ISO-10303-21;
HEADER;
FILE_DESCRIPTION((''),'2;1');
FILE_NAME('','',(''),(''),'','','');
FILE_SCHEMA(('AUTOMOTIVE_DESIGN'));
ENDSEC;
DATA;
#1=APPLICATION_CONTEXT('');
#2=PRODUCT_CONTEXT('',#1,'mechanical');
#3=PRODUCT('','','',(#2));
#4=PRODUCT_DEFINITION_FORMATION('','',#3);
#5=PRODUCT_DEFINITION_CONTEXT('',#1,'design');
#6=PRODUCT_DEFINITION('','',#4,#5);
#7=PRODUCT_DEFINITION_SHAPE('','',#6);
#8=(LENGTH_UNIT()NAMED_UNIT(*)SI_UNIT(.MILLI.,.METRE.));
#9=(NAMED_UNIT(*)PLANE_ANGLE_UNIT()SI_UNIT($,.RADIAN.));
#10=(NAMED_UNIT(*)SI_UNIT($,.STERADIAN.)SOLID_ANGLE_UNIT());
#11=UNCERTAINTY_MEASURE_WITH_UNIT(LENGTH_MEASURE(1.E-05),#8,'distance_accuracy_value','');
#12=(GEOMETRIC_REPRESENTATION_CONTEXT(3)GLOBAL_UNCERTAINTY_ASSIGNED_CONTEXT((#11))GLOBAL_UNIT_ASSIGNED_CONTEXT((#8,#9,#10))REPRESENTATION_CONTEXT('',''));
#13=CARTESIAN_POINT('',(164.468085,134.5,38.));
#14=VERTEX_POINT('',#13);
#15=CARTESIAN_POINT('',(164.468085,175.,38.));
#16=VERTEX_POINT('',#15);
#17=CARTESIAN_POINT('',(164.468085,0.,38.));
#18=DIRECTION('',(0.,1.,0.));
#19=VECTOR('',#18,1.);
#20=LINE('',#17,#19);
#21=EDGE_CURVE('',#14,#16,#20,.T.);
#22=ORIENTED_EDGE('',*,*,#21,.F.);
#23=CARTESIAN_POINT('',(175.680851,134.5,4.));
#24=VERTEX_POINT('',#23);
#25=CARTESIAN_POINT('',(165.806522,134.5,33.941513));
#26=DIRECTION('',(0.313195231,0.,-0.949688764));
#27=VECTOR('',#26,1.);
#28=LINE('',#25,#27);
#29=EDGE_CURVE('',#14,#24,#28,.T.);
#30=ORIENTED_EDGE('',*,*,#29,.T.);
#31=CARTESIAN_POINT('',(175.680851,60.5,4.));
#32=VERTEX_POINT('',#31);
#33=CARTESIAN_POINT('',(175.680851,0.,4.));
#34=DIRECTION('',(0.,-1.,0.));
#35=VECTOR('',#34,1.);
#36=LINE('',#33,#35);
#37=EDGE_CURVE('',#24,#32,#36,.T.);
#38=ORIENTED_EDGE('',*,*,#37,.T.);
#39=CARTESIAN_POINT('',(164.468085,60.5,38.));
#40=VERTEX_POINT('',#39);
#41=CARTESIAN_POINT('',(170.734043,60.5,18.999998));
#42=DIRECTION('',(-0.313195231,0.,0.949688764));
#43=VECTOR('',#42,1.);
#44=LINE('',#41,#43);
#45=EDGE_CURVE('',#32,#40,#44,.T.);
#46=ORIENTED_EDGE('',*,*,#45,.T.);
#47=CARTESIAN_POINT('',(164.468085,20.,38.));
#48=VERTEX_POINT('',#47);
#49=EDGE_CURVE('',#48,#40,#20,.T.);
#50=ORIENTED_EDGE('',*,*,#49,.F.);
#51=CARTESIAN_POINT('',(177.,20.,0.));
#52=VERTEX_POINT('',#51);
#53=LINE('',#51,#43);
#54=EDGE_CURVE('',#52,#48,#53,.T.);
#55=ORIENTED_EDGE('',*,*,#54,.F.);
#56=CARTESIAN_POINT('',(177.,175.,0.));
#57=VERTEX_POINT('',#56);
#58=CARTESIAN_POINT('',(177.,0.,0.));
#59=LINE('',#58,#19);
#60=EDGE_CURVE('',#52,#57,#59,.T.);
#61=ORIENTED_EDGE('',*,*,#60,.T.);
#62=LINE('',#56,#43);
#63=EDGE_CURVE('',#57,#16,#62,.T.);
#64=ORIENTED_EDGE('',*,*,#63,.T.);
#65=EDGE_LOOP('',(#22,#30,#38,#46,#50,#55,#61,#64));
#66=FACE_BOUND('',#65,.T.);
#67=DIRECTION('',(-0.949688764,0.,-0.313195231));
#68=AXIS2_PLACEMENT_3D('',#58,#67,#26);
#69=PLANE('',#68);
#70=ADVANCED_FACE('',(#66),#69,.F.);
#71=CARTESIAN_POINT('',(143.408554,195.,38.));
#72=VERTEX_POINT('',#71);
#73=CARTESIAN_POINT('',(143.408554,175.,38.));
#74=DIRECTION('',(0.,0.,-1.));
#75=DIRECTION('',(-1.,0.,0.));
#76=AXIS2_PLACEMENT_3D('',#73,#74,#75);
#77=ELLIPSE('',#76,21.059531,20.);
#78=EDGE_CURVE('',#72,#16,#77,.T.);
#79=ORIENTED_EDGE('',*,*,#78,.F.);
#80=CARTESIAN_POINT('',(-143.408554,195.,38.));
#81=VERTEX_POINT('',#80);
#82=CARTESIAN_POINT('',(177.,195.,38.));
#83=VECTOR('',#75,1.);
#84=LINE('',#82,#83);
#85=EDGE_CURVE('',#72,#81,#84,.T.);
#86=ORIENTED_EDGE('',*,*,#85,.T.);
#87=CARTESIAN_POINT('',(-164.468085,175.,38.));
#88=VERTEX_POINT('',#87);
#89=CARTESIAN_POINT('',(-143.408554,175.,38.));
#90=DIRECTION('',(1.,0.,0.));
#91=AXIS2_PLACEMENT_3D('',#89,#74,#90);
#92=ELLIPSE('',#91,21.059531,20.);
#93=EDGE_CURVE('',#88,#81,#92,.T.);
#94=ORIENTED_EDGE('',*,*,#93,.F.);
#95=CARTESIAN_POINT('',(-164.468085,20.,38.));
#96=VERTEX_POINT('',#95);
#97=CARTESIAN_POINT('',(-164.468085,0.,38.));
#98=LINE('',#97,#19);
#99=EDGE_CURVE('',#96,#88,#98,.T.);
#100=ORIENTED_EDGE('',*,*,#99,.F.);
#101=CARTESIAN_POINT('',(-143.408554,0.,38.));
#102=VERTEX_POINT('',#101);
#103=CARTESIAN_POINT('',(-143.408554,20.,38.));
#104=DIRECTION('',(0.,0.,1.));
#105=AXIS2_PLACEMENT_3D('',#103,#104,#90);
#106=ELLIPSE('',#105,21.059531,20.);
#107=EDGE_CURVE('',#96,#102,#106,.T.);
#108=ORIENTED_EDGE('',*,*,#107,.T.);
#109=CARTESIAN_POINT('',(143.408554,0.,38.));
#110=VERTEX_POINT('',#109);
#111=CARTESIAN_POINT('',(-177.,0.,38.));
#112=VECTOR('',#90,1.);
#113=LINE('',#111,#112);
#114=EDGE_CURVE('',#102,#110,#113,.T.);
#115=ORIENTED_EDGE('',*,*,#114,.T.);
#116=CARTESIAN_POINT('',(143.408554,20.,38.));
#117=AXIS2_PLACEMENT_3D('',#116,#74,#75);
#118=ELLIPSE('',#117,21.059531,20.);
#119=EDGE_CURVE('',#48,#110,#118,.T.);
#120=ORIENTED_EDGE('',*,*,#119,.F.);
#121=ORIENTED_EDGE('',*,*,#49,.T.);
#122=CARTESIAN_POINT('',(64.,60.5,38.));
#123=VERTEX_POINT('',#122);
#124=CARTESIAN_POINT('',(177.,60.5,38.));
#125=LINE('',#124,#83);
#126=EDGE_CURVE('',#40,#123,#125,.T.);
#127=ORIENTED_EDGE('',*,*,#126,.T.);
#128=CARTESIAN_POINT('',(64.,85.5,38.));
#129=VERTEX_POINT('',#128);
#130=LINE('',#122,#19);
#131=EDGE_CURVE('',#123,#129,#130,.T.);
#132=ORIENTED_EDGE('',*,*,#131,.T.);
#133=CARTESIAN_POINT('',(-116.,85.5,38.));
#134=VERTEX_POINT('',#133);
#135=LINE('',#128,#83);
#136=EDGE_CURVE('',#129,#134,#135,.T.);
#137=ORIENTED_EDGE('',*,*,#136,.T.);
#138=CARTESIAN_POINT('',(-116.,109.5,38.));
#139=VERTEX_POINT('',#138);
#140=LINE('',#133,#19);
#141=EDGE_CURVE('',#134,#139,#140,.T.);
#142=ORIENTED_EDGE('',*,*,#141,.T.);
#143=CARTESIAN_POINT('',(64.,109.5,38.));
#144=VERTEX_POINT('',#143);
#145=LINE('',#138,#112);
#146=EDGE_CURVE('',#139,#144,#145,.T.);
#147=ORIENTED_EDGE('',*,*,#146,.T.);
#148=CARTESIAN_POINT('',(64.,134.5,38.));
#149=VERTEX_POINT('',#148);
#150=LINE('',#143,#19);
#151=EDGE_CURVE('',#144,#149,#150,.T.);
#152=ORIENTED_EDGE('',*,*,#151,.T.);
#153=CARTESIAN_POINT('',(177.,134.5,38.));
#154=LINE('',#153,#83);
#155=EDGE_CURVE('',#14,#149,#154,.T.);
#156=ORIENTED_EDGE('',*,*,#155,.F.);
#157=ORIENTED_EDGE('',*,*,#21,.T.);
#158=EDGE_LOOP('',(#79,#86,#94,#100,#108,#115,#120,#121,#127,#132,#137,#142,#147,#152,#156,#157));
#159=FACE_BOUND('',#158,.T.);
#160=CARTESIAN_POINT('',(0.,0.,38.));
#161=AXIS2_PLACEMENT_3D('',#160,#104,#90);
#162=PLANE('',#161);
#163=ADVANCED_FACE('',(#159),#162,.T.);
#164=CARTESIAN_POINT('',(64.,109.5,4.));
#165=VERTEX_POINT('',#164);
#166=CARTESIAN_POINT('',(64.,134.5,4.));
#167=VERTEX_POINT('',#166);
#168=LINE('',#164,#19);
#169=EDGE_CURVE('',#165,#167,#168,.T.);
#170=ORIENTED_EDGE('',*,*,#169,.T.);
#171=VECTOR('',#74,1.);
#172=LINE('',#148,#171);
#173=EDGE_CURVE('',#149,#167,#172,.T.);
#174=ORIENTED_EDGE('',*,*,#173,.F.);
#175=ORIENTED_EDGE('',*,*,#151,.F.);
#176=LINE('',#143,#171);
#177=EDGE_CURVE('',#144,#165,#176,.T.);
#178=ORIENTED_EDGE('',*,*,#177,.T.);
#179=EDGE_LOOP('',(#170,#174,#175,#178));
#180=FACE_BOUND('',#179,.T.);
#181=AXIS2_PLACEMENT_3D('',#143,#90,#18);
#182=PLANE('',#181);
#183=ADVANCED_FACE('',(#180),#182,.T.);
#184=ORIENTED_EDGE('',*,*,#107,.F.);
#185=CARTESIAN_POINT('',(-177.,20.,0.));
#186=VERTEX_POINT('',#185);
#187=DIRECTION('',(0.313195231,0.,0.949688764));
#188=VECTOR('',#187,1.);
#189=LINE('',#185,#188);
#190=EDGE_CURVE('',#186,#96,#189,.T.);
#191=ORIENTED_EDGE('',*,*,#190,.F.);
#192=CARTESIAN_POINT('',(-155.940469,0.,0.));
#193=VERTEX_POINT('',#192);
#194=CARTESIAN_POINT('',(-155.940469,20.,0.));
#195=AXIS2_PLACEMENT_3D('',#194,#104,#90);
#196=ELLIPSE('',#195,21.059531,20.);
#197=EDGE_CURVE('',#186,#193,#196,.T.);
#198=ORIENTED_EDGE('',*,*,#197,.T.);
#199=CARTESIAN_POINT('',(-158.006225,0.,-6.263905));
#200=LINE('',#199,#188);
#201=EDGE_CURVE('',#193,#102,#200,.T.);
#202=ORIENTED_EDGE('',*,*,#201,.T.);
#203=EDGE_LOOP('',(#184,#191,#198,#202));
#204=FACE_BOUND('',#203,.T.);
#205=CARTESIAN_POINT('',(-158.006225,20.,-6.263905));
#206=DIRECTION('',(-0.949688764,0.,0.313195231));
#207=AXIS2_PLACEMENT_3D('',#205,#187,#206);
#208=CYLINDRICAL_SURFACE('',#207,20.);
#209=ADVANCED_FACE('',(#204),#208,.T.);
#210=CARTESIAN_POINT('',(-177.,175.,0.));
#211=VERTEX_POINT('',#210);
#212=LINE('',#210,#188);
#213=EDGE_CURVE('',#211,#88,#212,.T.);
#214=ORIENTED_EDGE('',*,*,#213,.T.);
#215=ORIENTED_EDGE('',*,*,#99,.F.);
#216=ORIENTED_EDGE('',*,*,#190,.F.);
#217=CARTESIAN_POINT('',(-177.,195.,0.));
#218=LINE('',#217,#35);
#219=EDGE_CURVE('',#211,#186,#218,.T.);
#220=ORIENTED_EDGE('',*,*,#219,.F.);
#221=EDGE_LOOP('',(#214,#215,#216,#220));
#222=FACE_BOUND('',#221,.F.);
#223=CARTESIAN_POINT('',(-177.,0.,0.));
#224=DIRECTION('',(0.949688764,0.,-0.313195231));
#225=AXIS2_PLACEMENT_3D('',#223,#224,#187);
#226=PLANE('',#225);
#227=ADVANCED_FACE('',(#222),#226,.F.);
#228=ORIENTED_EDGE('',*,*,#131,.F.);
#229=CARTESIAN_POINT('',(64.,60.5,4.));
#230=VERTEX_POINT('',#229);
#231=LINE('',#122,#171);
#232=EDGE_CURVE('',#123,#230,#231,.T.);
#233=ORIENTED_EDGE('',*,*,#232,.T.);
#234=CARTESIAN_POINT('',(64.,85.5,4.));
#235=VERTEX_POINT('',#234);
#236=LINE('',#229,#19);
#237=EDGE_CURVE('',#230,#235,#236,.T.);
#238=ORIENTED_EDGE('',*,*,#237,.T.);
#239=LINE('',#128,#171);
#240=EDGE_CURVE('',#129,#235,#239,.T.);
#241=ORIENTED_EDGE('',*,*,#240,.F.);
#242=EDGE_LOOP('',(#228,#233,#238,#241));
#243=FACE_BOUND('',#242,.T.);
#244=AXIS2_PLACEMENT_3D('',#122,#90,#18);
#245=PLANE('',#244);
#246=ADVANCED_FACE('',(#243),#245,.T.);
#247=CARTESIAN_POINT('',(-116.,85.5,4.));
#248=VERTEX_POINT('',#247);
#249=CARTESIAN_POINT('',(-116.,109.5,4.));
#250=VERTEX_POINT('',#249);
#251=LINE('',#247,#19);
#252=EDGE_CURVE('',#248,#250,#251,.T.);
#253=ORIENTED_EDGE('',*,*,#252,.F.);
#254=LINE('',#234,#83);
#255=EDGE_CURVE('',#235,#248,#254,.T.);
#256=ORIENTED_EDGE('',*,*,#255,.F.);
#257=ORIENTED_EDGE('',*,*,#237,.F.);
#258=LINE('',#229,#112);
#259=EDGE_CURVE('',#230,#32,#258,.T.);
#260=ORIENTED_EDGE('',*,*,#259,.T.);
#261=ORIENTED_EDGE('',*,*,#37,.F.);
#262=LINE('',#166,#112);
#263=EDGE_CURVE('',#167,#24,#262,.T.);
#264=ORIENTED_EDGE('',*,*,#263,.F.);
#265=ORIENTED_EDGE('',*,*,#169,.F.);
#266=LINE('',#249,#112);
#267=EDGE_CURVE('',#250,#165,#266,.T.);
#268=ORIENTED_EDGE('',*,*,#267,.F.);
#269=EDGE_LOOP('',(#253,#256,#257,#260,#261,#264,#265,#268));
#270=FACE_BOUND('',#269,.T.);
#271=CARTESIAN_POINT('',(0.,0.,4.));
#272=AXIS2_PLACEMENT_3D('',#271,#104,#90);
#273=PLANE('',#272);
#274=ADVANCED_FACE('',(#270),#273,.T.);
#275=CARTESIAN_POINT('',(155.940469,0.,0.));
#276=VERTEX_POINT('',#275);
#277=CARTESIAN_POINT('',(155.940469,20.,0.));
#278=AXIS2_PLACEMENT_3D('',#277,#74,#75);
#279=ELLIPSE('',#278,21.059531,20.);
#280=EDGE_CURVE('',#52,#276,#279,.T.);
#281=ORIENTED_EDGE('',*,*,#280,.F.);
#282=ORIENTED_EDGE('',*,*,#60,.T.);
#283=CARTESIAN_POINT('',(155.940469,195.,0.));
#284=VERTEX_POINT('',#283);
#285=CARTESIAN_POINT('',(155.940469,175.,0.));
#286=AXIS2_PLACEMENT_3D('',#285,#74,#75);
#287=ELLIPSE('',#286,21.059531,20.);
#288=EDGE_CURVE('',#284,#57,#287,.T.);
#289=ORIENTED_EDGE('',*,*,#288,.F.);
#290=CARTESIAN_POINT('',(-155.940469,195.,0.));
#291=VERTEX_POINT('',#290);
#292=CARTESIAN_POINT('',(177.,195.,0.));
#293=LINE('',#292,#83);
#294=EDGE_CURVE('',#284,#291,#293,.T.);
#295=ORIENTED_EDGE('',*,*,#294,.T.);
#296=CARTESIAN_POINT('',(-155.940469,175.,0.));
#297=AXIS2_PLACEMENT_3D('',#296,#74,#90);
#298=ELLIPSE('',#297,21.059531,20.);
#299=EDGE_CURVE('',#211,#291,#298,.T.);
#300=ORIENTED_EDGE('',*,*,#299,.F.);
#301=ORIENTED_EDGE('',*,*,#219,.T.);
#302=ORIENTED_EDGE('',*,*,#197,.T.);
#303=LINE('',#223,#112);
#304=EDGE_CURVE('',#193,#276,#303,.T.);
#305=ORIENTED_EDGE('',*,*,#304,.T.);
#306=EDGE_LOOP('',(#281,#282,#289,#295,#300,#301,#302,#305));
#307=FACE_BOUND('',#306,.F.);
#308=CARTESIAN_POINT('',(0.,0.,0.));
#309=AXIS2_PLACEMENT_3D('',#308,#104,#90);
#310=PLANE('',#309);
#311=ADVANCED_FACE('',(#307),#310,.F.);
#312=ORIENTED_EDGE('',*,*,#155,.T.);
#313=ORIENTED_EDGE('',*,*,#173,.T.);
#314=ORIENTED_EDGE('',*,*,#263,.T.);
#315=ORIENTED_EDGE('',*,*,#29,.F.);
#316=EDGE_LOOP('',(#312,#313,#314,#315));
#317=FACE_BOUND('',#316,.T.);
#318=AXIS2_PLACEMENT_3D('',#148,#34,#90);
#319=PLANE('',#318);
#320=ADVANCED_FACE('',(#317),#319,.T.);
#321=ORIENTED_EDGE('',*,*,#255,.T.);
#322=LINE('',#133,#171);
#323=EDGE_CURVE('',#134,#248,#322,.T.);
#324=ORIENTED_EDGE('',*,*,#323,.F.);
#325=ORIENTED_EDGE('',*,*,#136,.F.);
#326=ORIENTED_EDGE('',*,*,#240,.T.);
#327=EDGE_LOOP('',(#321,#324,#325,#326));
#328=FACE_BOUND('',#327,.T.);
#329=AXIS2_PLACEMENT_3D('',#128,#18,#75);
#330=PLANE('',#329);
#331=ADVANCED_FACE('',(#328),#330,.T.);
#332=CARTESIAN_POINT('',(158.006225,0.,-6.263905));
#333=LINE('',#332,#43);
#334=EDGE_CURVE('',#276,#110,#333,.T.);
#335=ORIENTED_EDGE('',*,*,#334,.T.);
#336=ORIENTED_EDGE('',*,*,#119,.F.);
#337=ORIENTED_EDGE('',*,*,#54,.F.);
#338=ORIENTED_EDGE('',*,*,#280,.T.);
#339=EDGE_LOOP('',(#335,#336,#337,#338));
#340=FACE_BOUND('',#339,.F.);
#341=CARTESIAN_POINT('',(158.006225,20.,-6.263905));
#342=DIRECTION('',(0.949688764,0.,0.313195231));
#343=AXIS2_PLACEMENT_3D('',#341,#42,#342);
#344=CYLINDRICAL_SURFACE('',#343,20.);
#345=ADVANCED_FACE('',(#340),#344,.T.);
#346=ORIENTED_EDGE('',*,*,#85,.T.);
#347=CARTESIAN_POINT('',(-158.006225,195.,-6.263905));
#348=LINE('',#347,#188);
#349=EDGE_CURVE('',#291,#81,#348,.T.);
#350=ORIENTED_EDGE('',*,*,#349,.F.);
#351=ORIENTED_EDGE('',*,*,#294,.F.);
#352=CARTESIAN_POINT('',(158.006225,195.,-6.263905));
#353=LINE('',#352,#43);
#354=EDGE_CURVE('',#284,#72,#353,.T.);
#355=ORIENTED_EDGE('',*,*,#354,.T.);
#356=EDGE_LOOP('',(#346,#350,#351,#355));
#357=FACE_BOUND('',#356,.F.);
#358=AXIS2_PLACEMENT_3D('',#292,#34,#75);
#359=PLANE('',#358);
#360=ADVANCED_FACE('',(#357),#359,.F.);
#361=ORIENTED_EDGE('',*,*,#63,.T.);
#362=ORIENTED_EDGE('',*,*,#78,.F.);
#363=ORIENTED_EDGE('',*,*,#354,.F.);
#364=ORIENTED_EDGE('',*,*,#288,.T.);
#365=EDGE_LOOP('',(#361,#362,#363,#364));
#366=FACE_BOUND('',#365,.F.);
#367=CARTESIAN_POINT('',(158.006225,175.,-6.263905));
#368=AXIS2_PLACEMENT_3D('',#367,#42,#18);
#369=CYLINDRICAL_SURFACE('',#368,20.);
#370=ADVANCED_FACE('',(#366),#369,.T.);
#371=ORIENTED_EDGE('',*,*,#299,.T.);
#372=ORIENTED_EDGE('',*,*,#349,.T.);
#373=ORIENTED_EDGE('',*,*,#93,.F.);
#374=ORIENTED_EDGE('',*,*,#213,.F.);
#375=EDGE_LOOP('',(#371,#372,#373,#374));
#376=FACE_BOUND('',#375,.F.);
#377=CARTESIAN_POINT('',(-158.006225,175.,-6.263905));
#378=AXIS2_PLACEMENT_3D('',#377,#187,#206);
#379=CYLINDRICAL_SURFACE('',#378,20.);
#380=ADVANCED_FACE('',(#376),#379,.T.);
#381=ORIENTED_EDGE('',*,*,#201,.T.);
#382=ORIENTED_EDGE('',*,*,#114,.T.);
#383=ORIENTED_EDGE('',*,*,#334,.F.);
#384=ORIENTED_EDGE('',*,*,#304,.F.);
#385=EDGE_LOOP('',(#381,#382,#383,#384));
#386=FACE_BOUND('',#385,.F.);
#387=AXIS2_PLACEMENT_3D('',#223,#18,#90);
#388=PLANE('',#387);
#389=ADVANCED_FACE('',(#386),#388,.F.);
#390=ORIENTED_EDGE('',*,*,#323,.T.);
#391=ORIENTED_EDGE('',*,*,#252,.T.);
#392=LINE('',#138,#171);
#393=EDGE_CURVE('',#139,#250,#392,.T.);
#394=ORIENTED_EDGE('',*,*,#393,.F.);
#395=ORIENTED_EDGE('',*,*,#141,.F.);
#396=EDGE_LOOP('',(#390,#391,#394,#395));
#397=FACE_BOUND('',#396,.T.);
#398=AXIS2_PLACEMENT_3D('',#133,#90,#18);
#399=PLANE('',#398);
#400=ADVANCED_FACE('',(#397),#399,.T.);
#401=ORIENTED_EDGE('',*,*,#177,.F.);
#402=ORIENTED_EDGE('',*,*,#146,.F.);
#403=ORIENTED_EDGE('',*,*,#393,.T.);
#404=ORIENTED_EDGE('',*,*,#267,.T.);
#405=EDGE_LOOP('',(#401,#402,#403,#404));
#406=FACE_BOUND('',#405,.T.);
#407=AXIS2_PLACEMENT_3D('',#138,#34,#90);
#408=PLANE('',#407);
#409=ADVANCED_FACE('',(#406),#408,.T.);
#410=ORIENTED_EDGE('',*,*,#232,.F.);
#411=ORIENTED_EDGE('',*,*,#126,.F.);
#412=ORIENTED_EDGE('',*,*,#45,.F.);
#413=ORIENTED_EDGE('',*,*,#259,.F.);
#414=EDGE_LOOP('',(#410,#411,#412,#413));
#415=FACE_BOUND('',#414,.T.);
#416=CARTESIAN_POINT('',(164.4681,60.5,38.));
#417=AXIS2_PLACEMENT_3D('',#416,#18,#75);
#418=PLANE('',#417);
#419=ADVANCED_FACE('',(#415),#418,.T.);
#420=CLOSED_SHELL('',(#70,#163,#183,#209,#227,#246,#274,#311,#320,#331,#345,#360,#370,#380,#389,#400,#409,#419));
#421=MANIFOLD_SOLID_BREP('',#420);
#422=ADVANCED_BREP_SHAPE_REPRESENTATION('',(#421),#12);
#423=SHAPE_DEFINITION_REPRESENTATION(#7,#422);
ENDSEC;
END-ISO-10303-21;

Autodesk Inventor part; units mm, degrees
ref_plane "YZ Plane" through (0, 0, 0) normal (1, 0, 0) x (0, 1, 0)
ref_plane "XZ Plane" through (0, 0, 0) normal (0, 1, 0) x (-1, 0, 0)
ref_plane "XY Plane" through (0, 0, 0) normal (0, 0, 1) x (1, 0, 0)
sketch "Skizze2" plane through (0, 0, 0) normal (0, 0, 1) x (1, 0, 0)
  line L0 (-177, 0) -> (177, 0)
  line L1 (177, 0) -> (177, 195)
  line L2 (177, 195) -> (-177, 195)
  line L3 (-177, 195) -> (-177, 0)
  point P0 (0, 0)
  point P1 (0, 0)
  dimension "d0" = 195
  dimension "d1" = 354
extrude "Extrusion1" add sketch "Skizze2" along normal blind 38
sketch "Skizze3" plane through (-177, 0, 0) normal (0, -1, 0) x (1, 0, 0)
  line L0 (354, 0) -> (0, 0) projected
  line L1 (0, 0) -> (15.5, 47)
  line L2 (15.5, 47) -> (0, 47)
  line L3 (0, 47) -> (0, 0)
  dimension "d7" = 15.5
extrude "Extrusion2" cut sketch "Skizze3" against normal up to surface (195 mm away)
mirror "Spiegeln1" about plane through (0, 0, 0) normal (1, 0, 0) of "Extrusion2"
fillet "Rundung1" radius 20 4 edges at (170.734, 0, 19) (170.734, 195, 19) (-170.734, 195, 19) (-170.734, 0, 19)
sketch "Skizze4" plane through (0, 0, 38) normal (0, 0, 1) x (1, 0, 0)
  ellipse E0 centre (-143.4086, 20) end of major axis (-164.4681, 20) minor radius 20 (-164.4681, 20) -> (-143.4086, 0) ccw projected
  line L0 (-143.4086, 0) -> (143.4086, 0) projected
  ellipse E1 centre (143.4086, 20) end of major axis (164.4681, 20) minor radius 20 (143.4086, 0) -> (164.4681, 20) ccw projected
  line L1 (164.4681, 20) -> (164.4681, 175) projected
  ellipse E2 centre (143.4086, 175) end of major axis (164.4681, 175) minor radius 20 (164.4681, 175) -> (143.4086, 195) ccw projected
  line L2 (143.4086, 195) -> (-143.4086, 195) projected
  ellipse E3 centre (-143.4086, 175) end of major axis (-164.4681, 175) minor radius 20 (-143.4086, 195) -> (-164.4681, 175) ccw projected
  line L3 (-164.4681, 175) -> (-164.4681, 20) projected
  line L4 (177, 60.5) -> (64, 60.5)
  line L5 (64, 60.5) -> (64, 85.5)
  line L6 (64, 85.5) -> (-116, 85.5)
  line L7 (-116, 85.5) -> (-116, 109.5)
  line L8 (-116, 109.5) -> (64, 109.5)
  line L9 (64, 109.5) -> (64, 134.5)
  line L10 (64, 134.5) -> (177, 134.5)
  line L11 (177, 20) -> (177, 175) projected
  line L12 (-177, 175) -> (-177, 20) projected
  line L13 (164.4681, 20) -> (164.4681, 175) projected
  point P0 (0, 0)
  point P1 (-116, 97.5)
  point P2 (164.4681, 97.5)
  point P3 (164.4681, 97.5)
  dimension "d12" = 113
  dimension "d14" = 24
  dimension "d15" = 74
  dimension "d16" = 37
  dimension "d17" = 180
extrude "Extrusion3" cut sketch "Skizze4" against normal blind 34 contours L4 L5 L6 L7 L8 L9 L10 L1 | L1 L10 L11 L4
sketch "Sketch7" plane through (64, 60.5, 38) normal (1, 0, 0) x (0, 0, -1)
  line L0 (0, 25) -> (34, 25) projected
  line L1 (34, 25) -> (34, 49) projected
  line L2 (0, 49) -> (34, 49) projected
  circle A0 centre (13, 37) radius 11
  line L3 (0, 25) -> (0, 49) projected
  point P0 (38, -60.5)
  point P1 (17, 49)
  point P2 (0, 37)
  dimension "d35" = 22
  dimension "d36" = 21
properties part number "1 part 1" material "Holz (Birke)"
